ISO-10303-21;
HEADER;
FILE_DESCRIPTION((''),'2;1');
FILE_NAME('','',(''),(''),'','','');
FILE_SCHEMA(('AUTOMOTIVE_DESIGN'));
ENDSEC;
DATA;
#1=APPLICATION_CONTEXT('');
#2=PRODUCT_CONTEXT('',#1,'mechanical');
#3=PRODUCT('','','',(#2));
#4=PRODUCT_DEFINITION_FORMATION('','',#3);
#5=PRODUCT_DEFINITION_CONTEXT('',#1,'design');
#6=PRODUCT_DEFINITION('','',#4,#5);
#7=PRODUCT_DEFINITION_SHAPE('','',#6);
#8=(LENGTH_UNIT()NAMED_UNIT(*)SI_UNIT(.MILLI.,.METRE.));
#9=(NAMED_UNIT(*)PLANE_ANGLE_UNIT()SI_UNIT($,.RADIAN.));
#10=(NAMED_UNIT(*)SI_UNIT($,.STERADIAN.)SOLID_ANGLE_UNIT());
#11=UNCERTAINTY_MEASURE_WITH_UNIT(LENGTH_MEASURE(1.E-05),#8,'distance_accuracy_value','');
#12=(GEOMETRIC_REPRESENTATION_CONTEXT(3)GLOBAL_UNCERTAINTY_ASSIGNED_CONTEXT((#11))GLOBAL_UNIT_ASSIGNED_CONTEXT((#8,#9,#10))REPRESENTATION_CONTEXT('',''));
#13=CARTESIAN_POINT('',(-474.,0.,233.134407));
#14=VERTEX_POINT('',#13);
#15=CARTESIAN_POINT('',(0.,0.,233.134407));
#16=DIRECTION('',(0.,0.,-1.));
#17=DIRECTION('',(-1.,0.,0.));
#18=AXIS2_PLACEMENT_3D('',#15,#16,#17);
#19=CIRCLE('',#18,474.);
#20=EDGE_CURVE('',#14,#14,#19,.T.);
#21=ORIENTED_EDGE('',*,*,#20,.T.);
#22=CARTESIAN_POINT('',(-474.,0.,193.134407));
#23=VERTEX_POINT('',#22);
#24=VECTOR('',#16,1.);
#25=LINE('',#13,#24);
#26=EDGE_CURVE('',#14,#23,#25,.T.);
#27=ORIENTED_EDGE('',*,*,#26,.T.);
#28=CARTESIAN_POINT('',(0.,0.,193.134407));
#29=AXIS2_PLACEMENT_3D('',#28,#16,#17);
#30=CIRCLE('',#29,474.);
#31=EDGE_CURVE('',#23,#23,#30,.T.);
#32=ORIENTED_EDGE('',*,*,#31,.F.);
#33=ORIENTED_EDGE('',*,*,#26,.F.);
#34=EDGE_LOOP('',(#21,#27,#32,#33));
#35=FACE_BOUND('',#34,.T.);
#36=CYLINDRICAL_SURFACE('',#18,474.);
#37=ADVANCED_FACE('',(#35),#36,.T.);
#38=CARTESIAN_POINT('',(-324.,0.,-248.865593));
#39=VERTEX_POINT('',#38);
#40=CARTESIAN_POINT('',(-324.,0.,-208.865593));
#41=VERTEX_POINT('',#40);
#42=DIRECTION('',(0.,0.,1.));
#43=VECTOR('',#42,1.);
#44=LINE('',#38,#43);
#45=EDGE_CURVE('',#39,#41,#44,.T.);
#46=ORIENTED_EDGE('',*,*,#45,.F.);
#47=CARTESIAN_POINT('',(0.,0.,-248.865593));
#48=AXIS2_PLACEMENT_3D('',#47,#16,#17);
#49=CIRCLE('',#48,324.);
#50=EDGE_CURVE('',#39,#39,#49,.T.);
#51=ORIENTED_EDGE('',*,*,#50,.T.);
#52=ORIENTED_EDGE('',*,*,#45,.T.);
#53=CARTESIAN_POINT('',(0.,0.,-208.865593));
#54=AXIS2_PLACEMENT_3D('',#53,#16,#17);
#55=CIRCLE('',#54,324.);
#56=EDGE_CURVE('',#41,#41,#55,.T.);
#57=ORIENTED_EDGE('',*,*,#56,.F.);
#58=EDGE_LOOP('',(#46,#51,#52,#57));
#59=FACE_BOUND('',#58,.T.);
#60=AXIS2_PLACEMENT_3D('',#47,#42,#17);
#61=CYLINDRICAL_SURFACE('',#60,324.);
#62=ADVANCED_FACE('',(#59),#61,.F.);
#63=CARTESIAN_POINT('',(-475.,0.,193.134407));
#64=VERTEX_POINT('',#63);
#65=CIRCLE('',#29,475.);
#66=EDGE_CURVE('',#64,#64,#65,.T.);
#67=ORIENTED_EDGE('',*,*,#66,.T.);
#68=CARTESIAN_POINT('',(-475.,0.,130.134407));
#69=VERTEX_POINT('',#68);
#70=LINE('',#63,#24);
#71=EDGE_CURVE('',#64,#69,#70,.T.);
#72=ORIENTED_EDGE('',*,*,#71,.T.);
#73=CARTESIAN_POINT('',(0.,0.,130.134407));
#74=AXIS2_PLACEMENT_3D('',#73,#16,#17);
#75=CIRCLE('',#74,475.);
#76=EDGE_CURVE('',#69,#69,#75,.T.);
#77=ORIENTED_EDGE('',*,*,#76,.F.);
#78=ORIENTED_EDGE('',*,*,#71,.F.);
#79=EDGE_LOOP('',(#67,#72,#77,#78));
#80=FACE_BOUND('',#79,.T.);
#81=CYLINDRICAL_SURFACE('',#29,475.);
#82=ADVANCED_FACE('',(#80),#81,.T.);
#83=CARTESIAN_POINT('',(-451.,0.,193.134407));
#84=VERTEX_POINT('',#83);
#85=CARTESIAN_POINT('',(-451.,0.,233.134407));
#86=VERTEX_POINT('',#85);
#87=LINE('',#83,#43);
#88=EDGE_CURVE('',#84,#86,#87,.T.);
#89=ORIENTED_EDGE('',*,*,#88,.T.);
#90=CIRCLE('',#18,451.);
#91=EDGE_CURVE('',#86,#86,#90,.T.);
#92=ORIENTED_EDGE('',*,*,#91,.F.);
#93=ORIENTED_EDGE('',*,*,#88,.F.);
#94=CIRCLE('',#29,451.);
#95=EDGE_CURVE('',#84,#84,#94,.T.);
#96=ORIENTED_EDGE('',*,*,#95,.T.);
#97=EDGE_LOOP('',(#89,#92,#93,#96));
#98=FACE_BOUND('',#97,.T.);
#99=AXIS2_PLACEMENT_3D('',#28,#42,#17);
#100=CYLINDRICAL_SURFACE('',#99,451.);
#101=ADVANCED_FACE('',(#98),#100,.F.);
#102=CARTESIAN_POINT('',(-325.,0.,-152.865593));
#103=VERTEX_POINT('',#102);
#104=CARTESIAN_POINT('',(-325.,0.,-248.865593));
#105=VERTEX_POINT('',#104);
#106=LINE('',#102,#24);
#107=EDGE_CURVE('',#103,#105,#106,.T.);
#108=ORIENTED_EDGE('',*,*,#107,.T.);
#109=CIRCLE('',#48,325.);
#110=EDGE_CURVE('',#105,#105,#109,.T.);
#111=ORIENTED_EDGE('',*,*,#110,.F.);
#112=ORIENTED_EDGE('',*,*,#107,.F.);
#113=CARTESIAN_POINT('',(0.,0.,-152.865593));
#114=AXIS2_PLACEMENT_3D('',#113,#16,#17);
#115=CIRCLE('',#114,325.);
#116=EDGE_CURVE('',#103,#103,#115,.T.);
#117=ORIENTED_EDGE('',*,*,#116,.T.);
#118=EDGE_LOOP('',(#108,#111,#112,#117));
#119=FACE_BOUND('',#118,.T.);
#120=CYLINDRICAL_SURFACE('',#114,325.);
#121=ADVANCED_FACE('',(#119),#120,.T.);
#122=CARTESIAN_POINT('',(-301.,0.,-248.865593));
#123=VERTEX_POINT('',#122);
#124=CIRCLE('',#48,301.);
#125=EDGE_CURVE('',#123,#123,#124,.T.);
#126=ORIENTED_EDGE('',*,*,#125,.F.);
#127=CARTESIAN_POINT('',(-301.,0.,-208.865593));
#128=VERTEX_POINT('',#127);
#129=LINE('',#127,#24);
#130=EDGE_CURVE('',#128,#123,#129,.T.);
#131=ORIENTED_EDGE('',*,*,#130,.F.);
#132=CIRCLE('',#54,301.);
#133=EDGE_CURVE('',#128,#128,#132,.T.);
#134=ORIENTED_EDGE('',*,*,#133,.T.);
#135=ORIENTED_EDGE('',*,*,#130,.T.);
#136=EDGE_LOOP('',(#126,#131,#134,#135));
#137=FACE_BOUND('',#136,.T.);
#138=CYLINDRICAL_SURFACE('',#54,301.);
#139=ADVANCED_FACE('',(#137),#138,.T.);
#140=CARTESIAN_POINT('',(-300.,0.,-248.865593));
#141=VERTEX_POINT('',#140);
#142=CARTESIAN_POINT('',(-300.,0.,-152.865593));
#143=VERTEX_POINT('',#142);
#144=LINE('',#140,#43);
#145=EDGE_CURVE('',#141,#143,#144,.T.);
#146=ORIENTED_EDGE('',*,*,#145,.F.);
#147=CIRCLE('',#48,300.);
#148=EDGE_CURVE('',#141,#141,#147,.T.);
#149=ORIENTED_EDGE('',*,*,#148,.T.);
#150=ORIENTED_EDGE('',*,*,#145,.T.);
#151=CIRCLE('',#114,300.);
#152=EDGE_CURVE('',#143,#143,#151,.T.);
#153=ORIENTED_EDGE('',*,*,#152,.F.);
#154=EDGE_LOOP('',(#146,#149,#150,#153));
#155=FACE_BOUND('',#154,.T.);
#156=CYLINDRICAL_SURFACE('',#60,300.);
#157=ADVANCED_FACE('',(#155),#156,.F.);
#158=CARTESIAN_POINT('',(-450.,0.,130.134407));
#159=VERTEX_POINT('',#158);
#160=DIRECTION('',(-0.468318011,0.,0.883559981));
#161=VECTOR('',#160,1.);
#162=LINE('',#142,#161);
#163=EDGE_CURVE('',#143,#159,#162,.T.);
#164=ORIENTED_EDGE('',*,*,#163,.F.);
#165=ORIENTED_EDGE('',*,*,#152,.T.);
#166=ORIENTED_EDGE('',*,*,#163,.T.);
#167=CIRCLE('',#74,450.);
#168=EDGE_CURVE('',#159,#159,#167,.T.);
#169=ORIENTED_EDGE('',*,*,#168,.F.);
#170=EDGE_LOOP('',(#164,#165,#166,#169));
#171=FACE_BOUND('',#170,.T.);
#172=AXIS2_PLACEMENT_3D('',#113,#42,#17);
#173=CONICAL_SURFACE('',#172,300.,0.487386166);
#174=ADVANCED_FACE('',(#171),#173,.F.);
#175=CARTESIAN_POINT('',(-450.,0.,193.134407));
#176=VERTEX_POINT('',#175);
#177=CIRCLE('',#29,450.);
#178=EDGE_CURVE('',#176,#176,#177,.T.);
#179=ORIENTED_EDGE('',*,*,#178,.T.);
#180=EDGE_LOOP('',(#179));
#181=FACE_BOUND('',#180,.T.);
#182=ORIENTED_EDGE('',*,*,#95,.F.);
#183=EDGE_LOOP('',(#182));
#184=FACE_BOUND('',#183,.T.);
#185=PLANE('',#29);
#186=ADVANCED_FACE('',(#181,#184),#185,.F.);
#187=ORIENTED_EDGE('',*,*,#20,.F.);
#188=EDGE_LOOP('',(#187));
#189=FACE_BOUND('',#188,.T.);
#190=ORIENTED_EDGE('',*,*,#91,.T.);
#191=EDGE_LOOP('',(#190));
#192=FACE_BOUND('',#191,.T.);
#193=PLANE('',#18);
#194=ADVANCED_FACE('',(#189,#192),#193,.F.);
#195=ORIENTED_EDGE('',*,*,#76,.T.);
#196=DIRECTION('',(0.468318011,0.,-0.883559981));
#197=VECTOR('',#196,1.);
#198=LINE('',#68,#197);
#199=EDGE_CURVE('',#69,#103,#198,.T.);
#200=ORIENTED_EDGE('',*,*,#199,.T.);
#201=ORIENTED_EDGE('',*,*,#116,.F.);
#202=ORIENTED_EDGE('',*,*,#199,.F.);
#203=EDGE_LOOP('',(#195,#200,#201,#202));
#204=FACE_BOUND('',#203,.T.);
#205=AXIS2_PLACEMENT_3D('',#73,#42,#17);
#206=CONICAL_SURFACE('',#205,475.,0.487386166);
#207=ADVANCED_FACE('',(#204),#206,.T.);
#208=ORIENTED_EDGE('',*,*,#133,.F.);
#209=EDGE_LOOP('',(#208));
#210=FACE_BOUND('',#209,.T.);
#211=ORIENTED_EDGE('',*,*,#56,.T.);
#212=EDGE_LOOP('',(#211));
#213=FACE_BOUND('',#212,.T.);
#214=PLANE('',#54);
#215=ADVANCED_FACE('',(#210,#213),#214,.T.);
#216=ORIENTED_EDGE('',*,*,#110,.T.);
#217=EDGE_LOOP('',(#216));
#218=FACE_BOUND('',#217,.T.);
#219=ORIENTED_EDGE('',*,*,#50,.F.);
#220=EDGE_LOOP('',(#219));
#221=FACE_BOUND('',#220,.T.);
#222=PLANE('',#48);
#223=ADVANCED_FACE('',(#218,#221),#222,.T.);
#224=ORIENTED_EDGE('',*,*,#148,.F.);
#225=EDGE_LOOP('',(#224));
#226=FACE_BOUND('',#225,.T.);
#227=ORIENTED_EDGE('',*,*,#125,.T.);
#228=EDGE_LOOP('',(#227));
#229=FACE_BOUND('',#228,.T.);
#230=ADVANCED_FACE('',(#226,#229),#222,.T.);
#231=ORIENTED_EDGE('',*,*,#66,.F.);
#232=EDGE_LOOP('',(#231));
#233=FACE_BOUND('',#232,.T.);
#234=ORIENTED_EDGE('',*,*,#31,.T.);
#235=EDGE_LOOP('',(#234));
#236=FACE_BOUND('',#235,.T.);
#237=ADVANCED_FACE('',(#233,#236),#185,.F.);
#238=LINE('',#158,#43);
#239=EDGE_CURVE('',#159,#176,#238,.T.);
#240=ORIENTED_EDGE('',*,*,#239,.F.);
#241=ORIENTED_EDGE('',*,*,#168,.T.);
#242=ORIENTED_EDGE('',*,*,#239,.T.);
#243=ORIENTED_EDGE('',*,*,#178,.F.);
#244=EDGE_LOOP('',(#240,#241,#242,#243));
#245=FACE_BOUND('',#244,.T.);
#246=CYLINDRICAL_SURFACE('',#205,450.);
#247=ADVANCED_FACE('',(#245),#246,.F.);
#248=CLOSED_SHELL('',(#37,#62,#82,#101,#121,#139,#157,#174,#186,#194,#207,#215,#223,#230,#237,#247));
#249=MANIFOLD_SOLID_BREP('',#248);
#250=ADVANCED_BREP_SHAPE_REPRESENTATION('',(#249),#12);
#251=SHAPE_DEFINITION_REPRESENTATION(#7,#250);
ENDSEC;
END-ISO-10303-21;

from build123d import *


with BuildPart() as f1:
    # F0 (on Front) → F1 (revolve)
    with BuildSketch(Plane.XZ):
        Polygon((-301, -248.865593), (-300, -248.865593), (-300, -152.865593), (-450, 130.134407), (-450, 193.134407), (-451, 193.134407), (-451, 233.134407), (-474, 233.134407), (-474, 193.134407), (-475, 193.134407), (-475, 130.134407), (-325, -152.865593), (-325, -248.865593), (-324, -248.865593), (-324, -208.865593), (-301, -208.865593), align=None)
    revolve(axis=Axis((0, 0, -0.829662), (0, 0, -1)))


solid = f1.part
